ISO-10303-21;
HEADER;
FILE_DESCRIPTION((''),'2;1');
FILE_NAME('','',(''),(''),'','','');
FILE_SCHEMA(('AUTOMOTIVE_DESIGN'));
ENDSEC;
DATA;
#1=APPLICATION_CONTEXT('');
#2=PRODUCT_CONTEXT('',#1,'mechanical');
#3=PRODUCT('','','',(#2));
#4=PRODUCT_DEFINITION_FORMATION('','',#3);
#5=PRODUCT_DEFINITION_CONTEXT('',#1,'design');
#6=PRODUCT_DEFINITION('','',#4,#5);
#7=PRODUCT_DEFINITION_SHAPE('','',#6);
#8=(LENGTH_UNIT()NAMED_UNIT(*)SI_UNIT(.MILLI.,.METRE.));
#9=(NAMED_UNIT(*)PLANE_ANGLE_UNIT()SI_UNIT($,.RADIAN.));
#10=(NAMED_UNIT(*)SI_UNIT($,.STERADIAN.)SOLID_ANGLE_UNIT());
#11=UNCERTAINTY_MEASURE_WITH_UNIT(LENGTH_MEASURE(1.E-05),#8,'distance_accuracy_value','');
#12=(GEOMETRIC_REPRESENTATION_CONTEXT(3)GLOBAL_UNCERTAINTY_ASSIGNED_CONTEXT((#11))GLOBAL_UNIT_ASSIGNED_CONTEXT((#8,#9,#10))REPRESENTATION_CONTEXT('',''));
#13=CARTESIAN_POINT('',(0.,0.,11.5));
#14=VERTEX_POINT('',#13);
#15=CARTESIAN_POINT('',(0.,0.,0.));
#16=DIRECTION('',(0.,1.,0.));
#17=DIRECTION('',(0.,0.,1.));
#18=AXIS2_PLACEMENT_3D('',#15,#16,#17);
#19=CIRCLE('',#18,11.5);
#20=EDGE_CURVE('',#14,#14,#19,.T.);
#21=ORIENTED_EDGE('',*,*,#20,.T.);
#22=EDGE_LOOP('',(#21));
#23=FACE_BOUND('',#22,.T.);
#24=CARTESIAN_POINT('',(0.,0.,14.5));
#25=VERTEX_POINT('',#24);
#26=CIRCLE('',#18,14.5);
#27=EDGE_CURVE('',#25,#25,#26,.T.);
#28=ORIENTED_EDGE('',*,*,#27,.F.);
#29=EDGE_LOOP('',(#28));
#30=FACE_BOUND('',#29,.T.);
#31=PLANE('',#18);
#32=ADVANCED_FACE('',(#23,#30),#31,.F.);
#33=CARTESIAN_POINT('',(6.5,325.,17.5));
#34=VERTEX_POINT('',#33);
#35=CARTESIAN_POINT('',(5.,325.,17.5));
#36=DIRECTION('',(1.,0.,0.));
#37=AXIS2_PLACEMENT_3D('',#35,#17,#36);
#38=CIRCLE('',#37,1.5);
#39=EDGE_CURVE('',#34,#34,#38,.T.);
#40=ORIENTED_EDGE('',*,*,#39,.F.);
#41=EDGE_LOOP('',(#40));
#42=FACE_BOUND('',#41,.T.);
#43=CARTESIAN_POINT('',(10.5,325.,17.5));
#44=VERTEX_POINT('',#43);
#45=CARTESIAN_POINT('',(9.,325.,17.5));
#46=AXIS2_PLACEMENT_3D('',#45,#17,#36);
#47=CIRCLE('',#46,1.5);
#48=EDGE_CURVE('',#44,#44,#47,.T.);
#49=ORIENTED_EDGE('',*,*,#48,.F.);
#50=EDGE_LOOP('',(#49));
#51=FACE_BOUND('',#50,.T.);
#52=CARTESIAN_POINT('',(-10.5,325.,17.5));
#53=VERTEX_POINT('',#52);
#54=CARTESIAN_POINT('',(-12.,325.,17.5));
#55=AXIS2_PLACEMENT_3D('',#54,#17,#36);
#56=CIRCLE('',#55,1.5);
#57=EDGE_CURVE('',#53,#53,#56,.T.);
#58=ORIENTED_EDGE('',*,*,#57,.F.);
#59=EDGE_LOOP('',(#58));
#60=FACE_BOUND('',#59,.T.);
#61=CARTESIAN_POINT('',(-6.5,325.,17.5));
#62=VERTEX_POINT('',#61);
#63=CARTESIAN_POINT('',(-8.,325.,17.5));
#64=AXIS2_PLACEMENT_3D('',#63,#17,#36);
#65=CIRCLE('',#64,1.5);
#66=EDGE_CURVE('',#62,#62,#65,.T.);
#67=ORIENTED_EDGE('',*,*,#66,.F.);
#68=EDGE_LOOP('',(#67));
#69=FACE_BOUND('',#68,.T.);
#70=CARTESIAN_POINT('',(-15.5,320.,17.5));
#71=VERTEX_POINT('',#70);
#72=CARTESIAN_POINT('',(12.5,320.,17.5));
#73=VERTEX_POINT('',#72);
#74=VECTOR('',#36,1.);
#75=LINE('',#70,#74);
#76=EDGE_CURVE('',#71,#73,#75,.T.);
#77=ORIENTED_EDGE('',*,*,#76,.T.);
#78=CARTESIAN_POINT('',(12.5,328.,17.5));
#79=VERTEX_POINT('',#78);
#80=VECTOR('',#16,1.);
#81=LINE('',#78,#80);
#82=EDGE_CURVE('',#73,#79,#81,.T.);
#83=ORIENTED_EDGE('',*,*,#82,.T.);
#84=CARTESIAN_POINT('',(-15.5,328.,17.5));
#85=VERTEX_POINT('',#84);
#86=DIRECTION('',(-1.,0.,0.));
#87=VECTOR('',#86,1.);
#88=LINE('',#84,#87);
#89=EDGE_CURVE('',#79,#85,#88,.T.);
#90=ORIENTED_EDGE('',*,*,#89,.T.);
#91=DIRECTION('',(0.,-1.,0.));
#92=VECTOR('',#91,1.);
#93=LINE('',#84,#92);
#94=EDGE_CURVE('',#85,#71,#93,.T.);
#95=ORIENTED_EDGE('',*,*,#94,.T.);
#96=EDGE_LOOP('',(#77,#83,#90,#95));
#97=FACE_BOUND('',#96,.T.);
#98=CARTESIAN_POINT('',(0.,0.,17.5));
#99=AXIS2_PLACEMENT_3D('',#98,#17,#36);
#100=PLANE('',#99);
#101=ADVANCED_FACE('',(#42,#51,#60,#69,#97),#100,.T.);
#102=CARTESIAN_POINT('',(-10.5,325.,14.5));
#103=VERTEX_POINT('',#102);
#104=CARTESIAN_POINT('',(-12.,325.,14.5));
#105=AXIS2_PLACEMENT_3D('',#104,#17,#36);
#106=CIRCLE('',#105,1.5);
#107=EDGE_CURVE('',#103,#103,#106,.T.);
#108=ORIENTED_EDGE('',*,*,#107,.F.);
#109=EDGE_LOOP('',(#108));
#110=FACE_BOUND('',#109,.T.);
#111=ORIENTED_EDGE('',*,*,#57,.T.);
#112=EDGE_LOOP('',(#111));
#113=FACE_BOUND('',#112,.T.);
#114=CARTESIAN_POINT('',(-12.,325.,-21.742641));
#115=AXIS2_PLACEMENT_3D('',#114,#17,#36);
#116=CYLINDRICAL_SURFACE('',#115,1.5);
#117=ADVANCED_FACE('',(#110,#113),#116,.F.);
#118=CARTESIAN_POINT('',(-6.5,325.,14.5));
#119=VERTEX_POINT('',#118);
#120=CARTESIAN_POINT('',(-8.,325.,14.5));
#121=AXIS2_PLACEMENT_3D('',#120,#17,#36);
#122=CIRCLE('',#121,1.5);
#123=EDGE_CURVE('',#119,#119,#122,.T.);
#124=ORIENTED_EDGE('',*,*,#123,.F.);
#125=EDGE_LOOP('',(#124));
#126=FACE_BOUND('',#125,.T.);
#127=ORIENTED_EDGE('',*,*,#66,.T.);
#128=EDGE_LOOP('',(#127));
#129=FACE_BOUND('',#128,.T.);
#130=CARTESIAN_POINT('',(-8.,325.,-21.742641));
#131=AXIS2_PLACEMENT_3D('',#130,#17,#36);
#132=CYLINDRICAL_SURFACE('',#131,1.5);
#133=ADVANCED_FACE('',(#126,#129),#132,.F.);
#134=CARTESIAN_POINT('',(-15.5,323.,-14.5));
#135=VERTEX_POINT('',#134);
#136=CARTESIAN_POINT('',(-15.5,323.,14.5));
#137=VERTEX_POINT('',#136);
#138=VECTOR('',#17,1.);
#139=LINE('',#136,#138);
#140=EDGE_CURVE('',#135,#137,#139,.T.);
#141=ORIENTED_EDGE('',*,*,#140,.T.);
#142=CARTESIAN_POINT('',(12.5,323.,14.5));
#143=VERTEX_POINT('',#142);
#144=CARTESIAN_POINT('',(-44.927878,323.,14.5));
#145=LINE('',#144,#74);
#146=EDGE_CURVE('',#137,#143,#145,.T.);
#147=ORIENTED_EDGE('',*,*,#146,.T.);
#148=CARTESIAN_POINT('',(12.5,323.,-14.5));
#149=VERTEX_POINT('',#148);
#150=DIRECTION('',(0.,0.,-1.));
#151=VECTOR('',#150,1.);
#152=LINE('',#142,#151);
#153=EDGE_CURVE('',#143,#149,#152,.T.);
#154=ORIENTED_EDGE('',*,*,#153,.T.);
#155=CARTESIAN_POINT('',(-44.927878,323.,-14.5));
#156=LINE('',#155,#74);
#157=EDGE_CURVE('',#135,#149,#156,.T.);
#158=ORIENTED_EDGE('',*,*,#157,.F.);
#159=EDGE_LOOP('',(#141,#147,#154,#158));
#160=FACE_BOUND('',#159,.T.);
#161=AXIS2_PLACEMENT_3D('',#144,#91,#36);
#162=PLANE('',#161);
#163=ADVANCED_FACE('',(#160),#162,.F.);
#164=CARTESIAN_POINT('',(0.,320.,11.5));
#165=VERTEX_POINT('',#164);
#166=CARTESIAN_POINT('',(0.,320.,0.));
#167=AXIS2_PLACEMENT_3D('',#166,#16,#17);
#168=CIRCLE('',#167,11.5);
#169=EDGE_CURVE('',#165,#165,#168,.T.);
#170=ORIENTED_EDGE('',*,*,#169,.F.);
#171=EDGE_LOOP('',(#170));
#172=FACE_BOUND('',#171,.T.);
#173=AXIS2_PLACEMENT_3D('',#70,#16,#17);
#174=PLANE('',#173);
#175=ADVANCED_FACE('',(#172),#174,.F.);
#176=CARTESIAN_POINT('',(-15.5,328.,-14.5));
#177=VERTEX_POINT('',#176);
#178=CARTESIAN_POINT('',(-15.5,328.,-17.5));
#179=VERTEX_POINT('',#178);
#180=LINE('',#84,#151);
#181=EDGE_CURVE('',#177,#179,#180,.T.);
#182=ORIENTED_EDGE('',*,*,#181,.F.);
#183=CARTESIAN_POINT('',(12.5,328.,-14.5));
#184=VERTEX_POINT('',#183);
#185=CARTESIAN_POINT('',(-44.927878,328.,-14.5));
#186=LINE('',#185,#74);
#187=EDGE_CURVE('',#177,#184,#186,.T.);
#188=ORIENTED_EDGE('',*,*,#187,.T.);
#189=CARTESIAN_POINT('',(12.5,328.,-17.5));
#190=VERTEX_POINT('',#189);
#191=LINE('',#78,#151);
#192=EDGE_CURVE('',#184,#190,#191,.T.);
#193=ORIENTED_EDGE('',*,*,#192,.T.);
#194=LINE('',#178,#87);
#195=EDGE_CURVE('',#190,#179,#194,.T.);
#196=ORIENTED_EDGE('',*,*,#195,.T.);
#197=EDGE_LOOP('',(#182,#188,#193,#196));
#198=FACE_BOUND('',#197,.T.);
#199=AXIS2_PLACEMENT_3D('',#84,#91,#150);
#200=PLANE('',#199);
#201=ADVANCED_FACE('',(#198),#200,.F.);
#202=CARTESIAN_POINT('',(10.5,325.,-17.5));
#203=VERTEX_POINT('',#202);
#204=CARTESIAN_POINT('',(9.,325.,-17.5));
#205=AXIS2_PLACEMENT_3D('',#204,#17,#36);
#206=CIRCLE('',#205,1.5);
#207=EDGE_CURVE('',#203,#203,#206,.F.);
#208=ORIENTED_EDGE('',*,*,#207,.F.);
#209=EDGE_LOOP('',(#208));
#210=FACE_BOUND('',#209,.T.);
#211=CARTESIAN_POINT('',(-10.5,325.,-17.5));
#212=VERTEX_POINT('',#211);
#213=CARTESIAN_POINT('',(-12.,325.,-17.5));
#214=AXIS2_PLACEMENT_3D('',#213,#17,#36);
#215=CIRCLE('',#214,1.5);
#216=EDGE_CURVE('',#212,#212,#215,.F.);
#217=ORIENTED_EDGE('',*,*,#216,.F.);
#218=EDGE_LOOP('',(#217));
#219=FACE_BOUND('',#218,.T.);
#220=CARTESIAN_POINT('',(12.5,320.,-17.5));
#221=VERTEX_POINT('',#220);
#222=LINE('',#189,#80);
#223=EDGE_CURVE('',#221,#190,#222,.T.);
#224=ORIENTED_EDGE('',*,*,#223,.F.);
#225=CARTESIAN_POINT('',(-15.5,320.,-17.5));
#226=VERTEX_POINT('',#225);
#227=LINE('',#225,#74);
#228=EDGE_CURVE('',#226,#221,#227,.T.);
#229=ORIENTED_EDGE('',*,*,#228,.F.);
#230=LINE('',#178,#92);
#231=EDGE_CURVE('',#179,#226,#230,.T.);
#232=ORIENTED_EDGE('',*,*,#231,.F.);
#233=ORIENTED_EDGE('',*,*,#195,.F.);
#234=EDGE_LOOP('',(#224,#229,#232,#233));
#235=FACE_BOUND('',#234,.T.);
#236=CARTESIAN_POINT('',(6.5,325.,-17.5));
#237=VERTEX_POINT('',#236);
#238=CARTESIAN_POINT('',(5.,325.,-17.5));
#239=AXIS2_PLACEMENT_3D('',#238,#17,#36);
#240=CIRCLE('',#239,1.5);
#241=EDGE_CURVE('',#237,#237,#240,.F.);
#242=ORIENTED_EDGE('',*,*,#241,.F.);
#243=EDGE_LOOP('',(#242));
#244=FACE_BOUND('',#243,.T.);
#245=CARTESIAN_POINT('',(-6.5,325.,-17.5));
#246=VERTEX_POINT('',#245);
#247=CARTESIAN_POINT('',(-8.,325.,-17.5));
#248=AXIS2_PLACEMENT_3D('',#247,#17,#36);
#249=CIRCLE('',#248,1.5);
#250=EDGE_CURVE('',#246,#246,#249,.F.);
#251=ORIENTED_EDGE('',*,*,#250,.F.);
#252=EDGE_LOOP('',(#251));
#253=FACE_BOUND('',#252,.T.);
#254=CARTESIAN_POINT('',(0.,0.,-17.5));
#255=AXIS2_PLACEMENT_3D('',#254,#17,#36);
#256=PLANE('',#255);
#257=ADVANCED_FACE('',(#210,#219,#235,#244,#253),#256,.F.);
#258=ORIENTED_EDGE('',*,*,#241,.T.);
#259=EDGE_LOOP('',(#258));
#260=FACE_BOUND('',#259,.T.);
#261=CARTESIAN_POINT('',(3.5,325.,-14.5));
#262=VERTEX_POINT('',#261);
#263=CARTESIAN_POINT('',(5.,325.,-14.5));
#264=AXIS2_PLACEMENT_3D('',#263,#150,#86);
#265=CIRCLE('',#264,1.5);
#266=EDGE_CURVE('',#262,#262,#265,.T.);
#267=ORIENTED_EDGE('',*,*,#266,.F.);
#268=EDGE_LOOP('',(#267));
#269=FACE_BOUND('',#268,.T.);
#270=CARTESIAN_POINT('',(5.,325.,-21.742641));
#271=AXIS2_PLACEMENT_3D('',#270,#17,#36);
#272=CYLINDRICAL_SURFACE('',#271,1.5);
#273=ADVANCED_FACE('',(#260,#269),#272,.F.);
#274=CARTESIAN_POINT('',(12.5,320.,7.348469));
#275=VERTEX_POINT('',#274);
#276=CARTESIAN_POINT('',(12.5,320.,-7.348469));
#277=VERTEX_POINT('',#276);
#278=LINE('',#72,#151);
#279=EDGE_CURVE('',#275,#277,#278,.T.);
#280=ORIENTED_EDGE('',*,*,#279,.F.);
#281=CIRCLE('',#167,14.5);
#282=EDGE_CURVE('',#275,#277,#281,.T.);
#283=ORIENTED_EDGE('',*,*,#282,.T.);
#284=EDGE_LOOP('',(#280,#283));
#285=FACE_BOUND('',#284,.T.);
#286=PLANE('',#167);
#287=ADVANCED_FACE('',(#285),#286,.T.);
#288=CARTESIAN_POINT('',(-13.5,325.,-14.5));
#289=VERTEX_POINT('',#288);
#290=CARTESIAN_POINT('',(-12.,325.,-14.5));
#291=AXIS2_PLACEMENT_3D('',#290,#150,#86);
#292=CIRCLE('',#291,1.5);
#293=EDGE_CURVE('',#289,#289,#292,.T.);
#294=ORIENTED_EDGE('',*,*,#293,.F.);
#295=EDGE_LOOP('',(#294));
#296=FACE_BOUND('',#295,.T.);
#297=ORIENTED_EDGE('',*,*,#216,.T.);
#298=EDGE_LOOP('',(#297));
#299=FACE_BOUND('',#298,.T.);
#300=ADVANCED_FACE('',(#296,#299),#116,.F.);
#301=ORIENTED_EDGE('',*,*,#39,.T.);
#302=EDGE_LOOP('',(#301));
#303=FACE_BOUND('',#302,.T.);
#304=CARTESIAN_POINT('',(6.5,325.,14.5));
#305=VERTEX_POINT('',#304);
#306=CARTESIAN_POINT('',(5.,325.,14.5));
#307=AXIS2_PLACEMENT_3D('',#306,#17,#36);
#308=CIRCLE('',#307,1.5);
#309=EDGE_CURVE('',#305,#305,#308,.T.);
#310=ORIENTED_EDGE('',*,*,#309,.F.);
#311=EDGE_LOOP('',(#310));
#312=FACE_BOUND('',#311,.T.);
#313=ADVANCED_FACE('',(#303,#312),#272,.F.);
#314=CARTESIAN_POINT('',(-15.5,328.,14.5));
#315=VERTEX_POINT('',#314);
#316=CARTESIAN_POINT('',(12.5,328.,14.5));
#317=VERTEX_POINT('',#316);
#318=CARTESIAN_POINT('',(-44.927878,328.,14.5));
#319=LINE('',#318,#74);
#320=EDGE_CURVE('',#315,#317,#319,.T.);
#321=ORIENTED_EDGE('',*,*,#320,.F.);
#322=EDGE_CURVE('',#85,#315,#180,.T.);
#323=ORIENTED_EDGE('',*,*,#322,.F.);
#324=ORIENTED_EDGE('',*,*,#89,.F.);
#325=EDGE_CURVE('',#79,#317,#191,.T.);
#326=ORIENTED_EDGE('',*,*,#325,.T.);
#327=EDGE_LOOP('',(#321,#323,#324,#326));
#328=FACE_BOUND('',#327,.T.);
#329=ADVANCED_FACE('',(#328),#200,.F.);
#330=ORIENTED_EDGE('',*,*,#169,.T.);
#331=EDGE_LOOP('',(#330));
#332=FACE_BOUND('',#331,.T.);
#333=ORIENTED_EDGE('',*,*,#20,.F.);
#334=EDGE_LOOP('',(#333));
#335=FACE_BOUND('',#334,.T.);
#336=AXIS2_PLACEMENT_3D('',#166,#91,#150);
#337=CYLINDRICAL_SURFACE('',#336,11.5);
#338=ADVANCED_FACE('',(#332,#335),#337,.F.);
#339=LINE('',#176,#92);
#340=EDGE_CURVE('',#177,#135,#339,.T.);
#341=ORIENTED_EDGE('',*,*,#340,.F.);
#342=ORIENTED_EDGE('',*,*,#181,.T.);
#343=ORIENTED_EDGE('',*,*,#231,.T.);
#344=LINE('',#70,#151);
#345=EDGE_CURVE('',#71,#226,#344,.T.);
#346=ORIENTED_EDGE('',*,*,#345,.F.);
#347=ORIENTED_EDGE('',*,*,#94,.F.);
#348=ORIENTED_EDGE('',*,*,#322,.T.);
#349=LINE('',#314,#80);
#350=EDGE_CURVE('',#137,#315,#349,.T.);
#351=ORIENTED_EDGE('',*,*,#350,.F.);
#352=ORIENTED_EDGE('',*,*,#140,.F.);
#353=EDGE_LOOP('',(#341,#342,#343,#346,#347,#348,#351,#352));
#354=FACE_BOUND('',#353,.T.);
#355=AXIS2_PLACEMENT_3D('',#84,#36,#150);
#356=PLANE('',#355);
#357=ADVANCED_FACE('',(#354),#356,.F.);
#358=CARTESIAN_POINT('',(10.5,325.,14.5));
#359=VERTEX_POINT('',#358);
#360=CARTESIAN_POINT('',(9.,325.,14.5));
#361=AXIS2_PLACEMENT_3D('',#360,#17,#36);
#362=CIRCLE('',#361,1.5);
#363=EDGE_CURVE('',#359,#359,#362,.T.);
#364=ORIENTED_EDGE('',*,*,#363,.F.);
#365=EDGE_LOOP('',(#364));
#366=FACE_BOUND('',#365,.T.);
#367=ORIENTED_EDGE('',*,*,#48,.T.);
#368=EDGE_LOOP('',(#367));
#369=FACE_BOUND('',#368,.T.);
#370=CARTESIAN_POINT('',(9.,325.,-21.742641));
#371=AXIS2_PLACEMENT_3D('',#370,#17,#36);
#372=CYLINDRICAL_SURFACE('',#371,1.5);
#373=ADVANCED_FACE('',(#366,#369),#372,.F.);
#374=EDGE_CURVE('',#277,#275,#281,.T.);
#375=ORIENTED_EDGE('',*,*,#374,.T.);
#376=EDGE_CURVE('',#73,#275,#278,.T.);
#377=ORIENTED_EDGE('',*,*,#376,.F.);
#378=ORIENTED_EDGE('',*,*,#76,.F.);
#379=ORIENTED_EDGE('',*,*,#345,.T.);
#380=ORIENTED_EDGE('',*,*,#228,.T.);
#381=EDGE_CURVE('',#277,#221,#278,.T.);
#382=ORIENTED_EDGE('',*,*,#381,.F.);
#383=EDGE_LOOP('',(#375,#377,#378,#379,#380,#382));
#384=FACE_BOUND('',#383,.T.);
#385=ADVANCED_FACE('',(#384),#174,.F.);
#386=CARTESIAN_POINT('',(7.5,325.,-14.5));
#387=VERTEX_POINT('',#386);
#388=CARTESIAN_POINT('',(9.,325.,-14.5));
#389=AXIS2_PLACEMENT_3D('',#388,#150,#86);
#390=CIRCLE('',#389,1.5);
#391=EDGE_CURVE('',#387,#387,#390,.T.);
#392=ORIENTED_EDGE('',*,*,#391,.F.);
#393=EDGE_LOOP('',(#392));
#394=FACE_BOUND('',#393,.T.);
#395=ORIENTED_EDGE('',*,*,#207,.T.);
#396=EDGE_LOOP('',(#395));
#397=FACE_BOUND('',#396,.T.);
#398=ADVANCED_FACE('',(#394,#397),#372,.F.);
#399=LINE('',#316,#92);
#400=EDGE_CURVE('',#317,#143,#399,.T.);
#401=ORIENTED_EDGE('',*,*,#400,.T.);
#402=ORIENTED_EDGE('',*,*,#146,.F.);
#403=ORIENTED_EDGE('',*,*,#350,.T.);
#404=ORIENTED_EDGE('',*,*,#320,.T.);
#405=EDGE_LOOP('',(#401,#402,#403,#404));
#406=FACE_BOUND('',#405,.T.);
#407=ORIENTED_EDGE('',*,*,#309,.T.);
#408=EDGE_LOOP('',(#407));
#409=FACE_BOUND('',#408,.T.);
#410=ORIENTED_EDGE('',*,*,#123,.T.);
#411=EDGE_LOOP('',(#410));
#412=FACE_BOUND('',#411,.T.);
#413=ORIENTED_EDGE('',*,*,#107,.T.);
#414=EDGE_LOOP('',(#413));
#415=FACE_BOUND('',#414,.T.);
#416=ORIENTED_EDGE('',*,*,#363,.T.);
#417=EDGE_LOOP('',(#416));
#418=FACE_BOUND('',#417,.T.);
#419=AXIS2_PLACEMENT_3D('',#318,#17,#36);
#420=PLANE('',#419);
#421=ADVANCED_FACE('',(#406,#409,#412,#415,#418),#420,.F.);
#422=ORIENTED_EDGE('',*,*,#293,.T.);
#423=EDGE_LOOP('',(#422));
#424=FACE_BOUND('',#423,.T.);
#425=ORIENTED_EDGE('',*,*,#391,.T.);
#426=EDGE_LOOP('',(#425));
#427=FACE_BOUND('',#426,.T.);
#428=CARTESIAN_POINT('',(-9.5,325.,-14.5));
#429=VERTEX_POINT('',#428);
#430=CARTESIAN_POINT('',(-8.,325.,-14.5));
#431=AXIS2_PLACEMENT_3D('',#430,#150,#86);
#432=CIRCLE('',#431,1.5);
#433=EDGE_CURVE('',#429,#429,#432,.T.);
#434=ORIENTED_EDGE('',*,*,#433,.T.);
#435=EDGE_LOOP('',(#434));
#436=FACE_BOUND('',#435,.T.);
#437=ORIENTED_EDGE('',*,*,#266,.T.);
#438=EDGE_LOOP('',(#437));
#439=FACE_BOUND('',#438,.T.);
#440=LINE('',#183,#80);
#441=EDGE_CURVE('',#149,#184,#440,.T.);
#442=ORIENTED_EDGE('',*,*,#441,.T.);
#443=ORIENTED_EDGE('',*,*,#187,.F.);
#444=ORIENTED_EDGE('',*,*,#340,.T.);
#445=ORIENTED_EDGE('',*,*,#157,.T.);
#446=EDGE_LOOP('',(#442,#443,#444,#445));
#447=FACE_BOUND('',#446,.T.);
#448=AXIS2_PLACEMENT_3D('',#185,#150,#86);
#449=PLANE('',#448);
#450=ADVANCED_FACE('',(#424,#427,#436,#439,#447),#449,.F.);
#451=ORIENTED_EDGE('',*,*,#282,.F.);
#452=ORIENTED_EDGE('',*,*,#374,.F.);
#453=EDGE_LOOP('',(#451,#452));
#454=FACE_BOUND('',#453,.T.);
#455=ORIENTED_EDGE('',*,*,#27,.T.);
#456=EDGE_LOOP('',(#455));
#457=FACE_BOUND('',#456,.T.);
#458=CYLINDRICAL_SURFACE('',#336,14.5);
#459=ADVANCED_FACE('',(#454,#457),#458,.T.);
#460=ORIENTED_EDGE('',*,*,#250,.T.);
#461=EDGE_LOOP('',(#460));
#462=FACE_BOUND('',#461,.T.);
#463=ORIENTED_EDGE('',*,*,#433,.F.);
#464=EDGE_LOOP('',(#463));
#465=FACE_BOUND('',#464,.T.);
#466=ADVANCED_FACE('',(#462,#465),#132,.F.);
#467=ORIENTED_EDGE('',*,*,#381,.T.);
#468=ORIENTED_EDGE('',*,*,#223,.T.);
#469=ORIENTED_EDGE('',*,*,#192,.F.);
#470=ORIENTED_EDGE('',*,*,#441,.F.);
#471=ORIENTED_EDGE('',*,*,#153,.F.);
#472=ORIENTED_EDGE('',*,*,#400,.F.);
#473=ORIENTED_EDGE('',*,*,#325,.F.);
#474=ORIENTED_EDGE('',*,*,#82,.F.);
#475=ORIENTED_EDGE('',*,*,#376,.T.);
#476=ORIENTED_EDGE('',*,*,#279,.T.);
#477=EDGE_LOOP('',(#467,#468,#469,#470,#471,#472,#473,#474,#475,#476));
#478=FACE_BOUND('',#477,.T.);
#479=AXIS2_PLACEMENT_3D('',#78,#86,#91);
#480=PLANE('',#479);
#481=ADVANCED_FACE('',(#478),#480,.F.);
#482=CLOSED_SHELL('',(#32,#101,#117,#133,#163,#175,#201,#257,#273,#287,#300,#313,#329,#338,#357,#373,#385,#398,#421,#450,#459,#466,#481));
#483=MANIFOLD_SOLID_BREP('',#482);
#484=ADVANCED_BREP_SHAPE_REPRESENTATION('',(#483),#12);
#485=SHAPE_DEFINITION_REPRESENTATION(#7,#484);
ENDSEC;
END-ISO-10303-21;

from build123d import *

# Parameters (mm, degrees)
SKETCH1_R           = 14.5
BOSS_EXTRUDE1_DEPTH = 320
SHELL1_T            = -3
SKETCH2_W           = 28
SKETCH2_H           = 8
BOSS_EXTRUDE2_DEPTH = 17.5
SKETCH4_W           = 29
SKETCH4_H           = 5
CUT_EXTRUDE1_DEPTH  = 28
CUT_EXTRUDE2_REACH  = 332.226
SKETCH5_R           = 1.5


with BuildPart() as part:
    # Sketch1 → Boss-Extrude1 (new body)
    with BuildSketch(Plane(origin=(0, 0, 0), x_dir=(1, 0, 0), z_dir=(0, 1, 0))):
        with Locations(Location((0, 0, 0), (0, 0, 270))):
            Circle(SKETCH1_R)
    extrude(amount=BOSS_EXTRUDE1_DEPTH)

    # Shell1
    shell1_openings = [part.faces().sort_by_distance(p)[0] for p in [
        (0, 320, 0),
        (0, 0, 0),
    ]]
    offset(amount=SHELL1_T, openings=shell1_openings, kind=Kind.INTERSECTION)

    # Sketch2 → Boss-Extrude2 (add, symmetric)
    with BuildSketch(Plane.XY):
        with Locations((-1.5, 324)):
            Rectangle(SKETCH2_W, SKETCH2_H)
    extrude(amount=BOSS_EXTRUDE2_DEPTH, both=True)

    # Sketch4 → Cut-Extrude1 (cut)
    with BuildSketch(Plane(origin=(12.5, 0, 0), x_dir=(0, 0, -1), z_dir=(1, 0, 0))):
        with Locations((0, 325.5)):
            Rectangle(SKETCH4_W, SKETCH4_H)
    extrude(amount=-CUT_EXTRUDE1_DEPTH, mode=Mode.SUBTRACT)

    # Cut-Extrude2: up to this face of the body (flat: up to its plane)
    cut_extrude2_end = Plane(part.part.faces().sort_by_distance((-1.5, 324, -17.5))[0])
    # Sketch5 → Cut-Extrude2 (cut, up to the picked face)
    with BuildSketch(Plane.XY.offset(17.5), mode=Mode.PRIVATE) as cut_extrude2_sk1:
        with Locations((-8, 325)):
            Circle(SKETCH5_R)
    cut_extrude2_tool1 = split(extrude(cut_extrude2_sk1.sketch, amount=-CUT_EXTRUDE2_REACH, mode=Mode.PRIVATE), bisect_by=cut_extrude2_end, keep=Keep.BOTH, mode=Mode.PRIVATE)
    # Sketch5 → Cut-Extrude2 (cut, up to the picked face)
    with BuildSketch(Plane.XY.offset(17.5), mode=Mode.PRIVATE) as cut_extrude2_sk2:
        with Locations((5, 325)):
            Circle(SKETCH5_R)
    cut_extrude2_tool2 = split(extrude(cut_extrude2_sk2.sketch, amount=-CUT_EXTRUDE2_REACH, mode=Mode.PRIVATE), bisect_by=cut_extrude2_end, keep=Keep.BOTH, mode=Mode.PRIVATE)
    # Sketch5 → Cut-Extrude2 (cut, up to the picked face)
    with BuildSketch(Plane.XY.offset(17.5), mode=Mode.PRIVATE) as cut_extrude2_sk3:
        with Locations((9, 325)):
            Circle(SKETCH5_R)
    cut_extrude2_tool3 = split(extrude(cut_extrude2_sk3.sketch, amount=-CUT_EXTRUDE2_REACH, mode=Mode.PRIVATE), bisect_by=cut_extrude2_end, keep=Keep.BOTH, mode=Mode.PRIVATE)
    # Sketch5 → Cut-Extrude2 (cut, up to the picked face)
    with BuildSketch(Plane.XY.offset(17.5), mode=Mode.PRIVATE) as cut_extrude2_sk4:
        with Locations((-12, 325)):
            Circle(SKETCH5_R)
    cut_extrude2_tool4 = split(extrude(cut_extrude2_sk4.sketch, amount=-CUT_EXTRUDE2_REACH, mode=Mode.PRIVATE), bisect_by=cut_extrude2_end, keep=Keep.BOTH, mode=Mode.PRIVATE)
    add(cut_extrude2_tool1.solids().sort_by(Axis((-8, 325, 17.5), (0, 0, -1)))[0], mode=Mode.SUBTRACT)
    add(cut_extrude2_tool2.solids().sort_by(Axis((5, 325, 17.5), (0, 0, -1)))[0], mode=Mode.SUBTRACT)
    add(cut_extrude2_tool3.solids().sort_by(Axis((9, 325, 17.5), (0, 0, -1)))[0], mode=Mode.SUBTRACT)
    add(cut_extrude2_tool4.solids().sort_by(Axis((-12, 325, 17.5), (0, 0, -1)))[0], mode=Mode.SUBTRACT)


solid = part.part
